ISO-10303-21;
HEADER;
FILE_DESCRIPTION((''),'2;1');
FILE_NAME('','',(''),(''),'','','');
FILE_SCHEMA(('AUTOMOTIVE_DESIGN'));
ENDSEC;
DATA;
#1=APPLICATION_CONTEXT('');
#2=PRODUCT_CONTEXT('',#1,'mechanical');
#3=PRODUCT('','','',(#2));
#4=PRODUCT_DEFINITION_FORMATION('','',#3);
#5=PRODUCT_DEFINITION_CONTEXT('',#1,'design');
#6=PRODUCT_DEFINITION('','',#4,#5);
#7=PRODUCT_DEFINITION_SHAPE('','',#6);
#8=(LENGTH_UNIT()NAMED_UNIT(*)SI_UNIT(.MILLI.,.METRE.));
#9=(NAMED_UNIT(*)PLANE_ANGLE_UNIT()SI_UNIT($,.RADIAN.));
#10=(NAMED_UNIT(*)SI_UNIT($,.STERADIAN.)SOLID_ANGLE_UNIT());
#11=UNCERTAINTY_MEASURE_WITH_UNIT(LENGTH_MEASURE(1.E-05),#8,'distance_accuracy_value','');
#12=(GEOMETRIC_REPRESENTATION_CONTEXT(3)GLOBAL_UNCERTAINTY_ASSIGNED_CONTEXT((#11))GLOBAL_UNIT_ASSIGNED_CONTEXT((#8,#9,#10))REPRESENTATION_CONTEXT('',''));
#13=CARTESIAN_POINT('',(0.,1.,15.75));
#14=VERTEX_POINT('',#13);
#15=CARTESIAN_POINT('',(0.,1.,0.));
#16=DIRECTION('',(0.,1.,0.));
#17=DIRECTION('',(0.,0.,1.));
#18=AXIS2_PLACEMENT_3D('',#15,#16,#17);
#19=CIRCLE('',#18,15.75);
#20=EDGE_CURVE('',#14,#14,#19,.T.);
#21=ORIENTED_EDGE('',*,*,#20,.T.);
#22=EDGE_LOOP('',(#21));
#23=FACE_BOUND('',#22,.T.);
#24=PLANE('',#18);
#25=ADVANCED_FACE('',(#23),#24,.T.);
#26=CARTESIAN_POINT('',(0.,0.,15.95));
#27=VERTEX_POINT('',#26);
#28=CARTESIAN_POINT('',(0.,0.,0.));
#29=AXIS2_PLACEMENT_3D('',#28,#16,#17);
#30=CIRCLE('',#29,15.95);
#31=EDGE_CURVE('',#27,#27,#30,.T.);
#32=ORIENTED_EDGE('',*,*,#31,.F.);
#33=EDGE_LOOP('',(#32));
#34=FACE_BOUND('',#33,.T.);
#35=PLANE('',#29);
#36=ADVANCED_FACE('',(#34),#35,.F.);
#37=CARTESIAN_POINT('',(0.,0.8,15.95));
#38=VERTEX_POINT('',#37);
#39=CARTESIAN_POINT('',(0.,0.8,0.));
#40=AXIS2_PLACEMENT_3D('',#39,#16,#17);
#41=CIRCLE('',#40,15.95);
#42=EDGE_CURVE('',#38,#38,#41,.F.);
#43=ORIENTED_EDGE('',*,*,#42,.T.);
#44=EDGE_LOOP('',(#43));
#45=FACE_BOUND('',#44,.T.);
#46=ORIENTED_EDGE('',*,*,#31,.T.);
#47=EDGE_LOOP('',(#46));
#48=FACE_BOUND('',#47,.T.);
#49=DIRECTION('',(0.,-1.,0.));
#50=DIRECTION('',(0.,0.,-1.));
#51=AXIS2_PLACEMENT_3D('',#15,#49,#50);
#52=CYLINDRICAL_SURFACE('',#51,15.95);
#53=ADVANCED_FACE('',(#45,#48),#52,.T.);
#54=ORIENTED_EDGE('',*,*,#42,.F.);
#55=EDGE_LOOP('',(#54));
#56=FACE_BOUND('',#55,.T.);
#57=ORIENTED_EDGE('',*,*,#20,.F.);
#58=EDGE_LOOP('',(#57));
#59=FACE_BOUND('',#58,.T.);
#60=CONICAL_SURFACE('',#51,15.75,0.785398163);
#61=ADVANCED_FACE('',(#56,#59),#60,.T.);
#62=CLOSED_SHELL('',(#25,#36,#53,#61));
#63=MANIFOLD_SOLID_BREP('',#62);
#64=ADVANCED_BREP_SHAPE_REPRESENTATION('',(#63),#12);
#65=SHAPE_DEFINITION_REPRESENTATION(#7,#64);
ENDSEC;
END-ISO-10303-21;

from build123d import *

# Parameters (mm, degrees)
SKETCH1_R           = 15.95
BOSS_EXTRUDE1_DEPTH = 1
CHAMFER1_SIZE       = 0.2


with BuildPart() as part:
    # Sketch1 → Boss-Extrude1 (new body)
    with BuildSketch(Plane(origin=(0, 0, 0), x_dir=(1, 0, 0), z_dir=(0, 1, 0))):
        Circle(SKETCH1_R)
    extrude(amount=BOSS_EXTRUDE1_DEPTH)

    # Chamfer1
    chamfer1_edges = [part.edges().sort_by_distance(p)[0] for p in [
        (-15.95, 1, 0),
    ]]
    chamfer(chamfer1_edges, length=CHAMFER1_SIZE)


solid = part.part
